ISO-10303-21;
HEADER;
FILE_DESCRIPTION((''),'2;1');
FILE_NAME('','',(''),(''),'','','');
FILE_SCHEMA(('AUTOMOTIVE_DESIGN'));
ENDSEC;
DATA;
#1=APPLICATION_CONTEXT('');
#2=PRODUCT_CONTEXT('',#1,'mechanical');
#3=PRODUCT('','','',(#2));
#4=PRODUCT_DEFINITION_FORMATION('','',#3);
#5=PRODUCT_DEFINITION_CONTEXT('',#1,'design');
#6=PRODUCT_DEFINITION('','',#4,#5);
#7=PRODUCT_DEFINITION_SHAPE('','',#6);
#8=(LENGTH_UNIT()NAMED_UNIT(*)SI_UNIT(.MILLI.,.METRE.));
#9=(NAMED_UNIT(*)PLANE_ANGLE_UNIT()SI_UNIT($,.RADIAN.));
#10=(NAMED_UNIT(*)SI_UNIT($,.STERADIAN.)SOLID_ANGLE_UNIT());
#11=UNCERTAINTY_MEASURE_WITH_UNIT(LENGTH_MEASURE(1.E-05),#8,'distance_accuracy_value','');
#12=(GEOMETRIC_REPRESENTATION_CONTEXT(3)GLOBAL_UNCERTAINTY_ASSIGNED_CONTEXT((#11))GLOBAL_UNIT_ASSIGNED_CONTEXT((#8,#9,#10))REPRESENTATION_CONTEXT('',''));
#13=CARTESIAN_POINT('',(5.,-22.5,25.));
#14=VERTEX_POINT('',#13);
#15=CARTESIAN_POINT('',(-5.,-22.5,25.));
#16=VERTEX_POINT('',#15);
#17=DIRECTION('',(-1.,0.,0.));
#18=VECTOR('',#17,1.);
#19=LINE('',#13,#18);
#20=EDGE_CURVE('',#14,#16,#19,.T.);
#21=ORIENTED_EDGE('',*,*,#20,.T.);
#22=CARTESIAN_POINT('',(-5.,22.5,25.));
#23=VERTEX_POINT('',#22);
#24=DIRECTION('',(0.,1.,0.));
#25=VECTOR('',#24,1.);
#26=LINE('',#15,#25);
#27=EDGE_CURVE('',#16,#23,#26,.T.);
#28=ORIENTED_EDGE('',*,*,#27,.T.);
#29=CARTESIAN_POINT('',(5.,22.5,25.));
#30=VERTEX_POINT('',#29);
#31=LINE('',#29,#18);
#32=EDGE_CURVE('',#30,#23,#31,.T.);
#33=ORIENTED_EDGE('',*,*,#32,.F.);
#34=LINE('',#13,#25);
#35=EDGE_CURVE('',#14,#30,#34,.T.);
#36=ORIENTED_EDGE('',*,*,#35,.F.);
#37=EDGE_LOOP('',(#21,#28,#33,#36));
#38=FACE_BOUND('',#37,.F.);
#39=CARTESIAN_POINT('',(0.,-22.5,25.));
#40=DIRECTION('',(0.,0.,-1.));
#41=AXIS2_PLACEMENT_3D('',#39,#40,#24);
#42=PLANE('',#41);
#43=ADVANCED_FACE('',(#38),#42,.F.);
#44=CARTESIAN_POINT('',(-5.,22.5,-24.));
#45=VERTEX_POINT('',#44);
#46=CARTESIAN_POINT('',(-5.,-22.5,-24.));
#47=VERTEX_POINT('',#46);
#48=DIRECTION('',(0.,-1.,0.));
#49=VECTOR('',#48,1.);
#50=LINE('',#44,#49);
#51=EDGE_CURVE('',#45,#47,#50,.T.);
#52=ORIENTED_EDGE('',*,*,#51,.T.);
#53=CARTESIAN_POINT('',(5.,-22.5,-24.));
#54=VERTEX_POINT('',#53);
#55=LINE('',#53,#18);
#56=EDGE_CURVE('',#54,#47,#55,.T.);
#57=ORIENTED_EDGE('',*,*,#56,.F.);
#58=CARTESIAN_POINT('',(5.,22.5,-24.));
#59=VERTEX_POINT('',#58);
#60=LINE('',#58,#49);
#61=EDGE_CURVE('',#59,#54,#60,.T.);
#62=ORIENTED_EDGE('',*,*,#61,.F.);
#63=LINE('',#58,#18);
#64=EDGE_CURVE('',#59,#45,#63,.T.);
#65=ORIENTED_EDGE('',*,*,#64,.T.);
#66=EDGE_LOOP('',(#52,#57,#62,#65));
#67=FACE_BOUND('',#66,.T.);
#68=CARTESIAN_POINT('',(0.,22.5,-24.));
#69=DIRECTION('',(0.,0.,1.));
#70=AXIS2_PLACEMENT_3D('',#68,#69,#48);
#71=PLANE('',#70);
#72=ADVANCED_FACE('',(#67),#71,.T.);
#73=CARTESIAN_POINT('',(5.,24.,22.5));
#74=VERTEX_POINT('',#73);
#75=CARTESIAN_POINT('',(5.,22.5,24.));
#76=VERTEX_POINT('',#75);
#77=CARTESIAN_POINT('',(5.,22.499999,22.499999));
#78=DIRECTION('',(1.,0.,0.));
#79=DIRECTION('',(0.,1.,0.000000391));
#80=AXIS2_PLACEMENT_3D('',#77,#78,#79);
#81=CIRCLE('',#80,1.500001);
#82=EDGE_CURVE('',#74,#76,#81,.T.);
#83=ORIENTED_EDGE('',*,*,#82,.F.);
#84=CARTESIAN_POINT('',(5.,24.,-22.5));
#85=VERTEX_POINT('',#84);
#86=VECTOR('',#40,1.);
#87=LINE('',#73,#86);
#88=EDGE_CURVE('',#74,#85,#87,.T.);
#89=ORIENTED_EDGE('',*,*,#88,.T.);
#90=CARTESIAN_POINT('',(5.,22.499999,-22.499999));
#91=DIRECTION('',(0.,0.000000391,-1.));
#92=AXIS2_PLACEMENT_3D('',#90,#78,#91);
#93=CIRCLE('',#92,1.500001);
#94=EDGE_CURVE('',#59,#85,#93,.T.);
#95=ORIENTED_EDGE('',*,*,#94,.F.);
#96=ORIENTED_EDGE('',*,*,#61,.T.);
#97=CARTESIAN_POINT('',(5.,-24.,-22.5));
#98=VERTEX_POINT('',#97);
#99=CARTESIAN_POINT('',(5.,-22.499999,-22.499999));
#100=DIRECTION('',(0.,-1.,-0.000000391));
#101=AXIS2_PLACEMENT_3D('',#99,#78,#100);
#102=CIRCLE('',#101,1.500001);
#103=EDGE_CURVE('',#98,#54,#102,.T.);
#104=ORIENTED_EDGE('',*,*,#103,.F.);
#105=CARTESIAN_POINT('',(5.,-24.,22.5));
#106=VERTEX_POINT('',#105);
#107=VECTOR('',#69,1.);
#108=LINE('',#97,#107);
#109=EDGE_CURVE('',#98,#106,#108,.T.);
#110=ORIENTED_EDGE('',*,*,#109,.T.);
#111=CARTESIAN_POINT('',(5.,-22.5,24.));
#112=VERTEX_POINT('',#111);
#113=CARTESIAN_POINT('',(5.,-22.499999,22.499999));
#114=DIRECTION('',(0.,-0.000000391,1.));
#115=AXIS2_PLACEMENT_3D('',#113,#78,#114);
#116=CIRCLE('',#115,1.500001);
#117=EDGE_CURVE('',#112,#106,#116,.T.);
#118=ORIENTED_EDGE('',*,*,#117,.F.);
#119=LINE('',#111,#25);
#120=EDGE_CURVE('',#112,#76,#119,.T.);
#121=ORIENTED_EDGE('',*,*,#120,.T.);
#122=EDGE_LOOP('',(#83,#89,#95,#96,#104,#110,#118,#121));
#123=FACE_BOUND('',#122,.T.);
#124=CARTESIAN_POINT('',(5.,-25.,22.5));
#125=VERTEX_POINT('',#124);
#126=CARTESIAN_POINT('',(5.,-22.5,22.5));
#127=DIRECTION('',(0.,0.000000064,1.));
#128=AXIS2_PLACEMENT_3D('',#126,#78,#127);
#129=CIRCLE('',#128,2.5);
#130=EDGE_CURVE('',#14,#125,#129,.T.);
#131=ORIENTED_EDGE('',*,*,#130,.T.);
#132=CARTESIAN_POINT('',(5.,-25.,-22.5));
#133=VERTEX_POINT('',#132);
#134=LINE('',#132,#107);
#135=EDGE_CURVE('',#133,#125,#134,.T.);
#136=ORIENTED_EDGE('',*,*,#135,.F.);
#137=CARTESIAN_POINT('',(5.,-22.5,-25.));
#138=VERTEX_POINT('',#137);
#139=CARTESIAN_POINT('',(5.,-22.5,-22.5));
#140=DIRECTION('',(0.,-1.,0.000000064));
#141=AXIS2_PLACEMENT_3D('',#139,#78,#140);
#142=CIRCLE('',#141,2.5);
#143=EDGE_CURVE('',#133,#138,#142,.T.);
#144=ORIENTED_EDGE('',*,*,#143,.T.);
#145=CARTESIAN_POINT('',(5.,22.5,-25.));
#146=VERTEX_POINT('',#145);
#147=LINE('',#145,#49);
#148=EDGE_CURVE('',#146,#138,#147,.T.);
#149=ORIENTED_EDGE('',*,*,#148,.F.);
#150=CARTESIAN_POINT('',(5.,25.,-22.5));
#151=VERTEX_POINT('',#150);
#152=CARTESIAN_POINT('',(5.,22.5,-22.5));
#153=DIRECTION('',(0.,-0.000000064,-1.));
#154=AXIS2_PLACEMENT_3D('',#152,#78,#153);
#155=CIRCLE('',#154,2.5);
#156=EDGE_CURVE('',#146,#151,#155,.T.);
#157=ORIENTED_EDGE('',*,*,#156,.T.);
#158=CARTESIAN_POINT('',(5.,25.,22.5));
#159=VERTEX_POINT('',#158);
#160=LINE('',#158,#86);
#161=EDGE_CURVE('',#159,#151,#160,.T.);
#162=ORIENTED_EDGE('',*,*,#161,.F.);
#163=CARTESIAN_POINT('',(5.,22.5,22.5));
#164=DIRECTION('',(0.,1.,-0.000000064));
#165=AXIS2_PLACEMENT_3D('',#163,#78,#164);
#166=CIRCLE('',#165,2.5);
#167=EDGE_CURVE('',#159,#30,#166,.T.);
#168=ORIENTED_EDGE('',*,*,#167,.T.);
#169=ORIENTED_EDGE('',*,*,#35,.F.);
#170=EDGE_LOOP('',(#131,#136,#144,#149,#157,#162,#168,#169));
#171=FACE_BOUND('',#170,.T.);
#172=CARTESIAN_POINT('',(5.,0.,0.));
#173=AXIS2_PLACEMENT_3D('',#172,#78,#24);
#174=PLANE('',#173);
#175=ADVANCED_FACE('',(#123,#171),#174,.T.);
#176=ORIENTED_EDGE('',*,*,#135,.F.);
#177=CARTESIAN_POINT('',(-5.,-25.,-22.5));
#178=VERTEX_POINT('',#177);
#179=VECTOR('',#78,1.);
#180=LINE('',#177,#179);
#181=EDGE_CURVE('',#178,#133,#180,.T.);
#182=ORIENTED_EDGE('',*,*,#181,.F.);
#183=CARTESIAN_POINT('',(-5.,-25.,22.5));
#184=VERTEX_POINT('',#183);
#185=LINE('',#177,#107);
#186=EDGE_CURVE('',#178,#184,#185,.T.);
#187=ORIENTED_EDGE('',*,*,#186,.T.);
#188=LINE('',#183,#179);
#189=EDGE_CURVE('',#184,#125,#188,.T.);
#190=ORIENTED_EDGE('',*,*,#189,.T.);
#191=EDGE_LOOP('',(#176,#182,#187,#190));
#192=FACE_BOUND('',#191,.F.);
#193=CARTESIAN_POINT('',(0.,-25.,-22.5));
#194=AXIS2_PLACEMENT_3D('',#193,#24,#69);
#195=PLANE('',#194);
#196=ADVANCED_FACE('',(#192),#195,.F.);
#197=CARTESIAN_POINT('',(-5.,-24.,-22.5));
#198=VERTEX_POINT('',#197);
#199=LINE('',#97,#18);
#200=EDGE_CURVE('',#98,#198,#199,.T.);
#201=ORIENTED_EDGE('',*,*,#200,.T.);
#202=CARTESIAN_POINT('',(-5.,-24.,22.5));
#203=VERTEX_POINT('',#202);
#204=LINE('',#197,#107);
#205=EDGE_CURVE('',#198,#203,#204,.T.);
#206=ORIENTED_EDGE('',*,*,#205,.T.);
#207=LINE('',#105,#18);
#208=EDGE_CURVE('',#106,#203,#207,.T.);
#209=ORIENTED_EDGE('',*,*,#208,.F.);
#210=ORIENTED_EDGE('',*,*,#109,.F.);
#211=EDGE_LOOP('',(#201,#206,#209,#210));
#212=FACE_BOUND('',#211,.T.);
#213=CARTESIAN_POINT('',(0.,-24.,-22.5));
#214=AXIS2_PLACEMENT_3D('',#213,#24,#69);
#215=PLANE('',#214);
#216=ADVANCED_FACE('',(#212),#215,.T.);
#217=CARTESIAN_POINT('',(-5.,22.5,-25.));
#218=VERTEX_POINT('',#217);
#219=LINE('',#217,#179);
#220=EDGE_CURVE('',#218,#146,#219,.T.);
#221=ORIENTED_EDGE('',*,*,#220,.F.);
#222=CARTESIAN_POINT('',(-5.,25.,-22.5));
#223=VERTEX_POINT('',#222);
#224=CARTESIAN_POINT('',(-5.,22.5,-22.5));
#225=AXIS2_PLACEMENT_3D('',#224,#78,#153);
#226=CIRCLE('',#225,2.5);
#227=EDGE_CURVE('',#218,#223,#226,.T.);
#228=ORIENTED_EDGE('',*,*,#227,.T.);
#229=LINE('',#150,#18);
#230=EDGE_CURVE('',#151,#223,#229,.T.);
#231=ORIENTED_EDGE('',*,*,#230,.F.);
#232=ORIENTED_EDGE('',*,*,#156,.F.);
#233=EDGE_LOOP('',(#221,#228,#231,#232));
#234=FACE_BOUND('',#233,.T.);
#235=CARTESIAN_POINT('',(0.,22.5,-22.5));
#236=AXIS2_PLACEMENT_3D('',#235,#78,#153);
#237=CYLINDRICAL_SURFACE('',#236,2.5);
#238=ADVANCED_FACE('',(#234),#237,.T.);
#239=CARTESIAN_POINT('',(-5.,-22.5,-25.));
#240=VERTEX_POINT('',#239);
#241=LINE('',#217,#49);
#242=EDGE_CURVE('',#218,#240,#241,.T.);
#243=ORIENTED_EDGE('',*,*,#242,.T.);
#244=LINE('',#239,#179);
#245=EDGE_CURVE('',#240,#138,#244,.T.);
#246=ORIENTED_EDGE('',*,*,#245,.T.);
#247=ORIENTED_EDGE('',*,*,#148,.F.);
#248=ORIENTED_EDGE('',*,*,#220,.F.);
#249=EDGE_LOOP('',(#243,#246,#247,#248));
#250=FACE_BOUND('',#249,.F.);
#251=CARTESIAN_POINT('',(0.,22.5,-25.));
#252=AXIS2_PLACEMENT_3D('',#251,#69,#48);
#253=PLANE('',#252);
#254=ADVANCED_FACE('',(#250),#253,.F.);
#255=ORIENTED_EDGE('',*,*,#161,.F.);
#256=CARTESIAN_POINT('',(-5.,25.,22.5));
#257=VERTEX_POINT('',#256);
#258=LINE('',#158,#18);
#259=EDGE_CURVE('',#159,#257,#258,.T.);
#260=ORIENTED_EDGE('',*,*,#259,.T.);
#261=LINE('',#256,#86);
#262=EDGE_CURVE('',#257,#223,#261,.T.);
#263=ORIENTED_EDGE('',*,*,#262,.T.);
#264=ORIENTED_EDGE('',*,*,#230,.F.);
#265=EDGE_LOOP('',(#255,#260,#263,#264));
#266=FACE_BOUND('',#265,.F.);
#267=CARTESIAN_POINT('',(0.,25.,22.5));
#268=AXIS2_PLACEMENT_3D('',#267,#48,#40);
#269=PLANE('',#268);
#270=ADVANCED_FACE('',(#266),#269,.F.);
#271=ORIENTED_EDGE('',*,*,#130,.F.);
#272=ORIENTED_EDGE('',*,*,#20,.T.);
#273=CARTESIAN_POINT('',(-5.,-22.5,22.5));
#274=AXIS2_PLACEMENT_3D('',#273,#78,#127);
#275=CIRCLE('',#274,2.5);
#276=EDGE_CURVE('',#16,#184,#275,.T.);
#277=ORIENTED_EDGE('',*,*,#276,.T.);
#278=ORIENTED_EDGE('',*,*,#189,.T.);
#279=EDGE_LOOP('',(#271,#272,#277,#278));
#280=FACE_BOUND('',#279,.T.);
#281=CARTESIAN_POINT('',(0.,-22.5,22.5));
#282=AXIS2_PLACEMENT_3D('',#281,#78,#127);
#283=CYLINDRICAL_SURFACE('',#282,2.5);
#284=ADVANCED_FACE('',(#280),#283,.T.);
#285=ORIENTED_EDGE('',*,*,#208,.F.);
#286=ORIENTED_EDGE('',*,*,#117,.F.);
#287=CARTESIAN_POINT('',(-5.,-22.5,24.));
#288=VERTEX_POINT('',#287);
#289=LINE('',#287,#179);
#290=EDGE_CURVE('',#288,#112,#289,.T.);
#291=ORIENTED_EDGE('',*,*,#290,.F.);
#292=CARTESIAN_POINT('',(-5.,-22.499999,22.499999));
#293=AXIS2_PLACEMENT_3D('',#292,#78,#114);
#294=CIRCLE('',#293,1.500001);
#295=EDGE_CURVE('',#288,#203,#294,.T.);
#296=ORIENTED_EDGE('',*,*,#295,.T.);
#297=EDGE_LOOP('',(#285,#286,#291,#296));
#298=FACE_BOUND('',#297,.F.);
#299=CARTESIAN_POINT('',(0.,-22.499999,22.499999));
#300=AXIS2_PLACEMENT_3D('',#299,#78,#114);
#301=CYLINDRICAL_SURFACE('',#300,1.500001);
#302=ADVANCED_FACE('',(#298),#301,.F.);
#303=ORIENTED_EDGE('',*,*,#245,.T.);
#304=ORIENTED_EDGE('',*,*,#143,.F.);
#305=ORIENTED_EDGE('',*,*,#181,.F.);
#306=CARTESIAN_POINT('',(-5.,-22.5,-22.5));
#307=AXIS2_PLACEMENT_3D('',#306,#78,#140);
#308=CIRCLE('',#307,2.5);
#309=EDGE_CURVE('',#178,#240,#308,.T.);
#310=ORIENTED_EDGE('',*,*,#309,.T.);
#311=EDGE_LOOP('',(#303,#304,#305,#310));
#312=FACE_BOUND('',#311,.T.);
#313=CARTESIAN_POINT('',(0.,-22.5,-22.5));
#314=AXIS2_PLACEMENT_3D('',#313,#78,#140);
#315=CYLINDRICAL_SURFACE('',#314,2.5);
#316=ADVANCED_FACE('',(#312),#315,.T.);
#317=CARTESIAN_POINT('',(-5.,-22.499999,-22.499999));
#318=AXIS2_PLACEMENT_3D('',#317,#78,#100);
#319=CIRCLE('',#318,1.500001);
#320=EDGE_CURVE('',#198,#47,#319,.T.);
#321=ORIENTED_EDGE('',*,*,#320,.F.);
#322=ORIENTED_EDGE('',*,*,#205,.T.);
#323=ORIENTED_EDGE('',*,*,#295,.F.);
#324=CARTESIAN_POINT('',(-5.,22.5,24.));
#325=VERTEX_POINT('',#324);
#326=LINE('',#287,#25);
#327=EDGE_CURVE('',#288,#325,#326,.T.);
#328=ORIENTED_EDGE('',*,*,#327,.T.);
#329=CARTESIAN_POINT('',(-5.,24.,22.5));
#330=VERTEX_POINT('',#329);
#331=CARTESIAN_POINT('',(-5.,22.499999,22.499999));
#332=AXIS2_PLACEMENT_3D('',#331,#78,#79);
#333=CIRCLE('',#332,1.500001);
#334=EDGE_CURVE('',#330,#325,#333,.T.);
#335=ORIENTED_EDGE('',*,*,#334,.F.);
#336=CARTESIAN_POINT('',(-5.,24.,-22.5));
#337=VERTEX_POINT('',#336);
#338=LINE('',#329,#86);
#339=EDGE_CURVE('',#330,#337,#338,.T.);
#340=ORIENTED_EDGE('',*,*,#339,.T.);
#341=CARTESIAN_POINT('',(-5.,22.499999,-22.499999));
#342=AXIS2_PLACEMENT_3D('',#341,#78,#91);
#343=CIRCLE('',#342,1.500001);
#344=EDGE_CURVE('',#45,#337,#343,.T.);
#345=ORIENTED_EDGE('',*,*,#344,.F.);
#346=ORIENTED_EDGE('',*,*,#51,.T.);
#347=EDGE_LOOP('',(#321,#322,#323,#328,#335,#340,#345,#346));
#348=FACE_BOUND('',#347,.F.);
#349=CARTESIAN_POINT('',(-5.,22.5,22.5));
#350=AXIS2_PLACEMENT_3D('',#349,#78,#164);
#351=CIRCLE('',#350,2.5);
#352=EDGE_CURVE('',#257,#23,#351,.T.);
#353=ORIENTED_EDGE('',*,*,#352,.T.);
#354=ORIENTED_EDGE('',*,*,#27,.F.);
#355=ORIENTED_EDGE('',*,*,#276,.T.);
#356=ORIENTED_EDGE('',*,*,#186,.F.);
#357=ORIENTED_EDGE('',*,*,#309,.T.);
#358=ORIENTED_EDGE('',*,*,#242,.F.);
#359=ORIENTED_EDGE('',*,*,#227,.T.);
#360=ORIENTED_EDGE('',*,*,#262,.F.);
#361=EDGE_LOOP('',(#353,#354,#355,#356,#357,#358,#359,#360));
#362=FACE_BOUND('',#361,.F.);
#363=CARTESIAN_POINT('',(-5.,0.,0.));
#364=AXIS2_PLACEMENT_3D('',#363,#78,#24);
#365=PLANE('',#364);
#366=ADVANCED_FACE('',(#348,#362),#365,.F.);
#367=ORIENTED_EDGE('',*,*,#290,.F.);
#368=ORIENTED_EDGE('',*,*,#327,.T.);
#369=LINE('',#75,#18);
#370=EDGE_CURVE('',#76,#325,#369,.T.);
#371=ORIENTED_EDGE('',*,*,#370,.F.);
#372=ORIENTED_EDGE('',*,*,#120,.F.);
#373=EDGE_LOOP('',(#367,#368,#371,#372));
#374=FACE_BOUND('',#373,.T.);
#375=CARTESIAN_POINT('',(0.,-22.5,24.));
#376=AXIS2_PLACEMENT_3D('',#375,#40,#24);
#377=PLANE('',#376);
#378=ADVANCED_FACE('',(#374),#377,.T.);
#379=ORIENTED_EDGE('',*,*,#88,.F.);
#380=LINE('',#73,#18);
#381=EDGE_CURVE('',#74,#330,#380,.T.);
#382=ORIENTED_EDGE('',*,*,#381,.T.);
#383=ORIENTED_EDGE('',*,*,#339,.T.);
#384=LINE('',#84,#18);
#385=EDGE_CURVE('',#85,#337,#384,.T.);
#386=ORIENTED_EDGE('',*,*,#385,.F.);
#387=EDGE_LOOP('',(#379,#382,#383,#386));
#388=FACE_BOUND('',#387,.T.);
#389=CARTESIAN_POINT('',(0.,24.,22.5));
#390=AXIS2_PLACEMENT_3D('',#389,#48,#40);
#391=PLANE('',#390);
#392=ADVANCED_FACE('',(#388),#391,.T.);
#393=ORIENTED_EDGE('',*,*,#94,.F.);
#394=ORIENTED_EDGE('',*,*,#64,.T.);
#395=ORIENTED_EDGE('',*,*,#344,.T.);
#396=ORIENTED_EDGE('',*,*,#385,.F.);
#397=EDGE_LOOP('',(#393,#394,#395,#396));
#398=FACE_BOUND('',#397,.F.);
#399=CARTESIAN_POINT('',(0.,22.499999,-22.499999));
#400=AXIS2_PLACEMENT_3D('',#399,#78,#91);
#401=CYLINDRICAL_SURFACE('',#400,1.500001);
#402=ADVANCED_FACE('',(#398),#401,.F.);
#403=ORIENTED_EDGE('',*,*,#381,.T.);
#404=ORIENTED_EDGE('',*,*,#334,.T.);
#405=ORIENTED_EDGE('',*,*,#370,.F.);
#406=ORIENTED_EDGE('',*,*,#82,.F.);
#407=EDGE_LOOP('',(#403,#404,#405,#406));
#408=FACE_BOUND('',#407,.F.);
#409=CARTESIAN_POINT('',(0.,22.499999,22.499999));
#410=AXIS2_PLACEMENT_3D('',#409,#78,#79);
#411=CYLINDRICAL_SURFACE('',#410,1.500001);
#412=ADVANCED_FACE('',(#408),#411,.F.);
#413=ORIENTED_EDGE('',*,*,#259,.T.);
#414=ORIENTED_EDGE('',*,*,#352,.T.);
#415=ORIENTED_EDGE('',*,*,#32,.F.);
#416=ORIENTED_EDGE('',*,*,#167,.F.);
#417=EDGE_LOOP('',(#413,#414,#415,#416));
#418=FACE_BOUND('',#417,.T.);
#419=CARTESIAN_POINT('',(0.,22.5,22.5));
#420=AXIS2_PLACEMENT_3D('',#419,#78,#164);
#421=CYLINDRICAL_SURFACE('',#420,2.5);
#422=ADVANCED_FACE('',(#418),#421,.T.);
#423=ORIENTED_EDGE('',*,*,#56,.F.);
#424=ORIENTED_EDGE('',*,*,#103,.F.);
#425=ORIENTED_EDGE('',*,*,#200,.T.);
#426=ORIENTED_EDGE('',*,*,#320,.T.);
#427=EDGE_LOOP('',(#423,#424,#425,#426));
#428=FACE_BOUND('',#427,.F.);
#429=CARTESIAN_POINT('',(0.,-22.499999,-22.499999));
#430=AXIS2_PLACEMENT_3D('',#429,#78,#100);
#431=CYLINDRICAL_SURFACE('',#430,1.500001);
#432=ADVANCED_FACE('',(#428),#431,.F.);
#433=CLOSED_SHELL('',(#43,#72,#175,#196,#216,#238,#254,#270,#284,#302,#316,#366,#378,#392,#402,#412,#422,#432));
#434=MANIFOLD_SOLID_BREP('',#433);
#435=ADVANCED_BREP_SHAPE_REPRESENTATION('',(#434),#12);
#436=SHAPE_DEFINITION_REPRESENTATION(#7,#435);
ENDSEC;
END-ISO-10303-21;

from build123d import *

# Parameters (mm, degrees)
PAD_DEPTH = 5


with BuildPart() as part:
    # Sketch → Pad (new body, symmetric)
    with BuildSketch(Plane.YZ):
        with BuildLine():
            ThreePointArc((-22.5, 25), (-24.267767, 24.267767), (-25, 22.5))
            Line((-25, -22.5), (-25, 22.5))
            ThreePointArc((-25, -22.5), (-24.267767, -24.267767), (-22.5, -25))
            Line((22.5, -25), (-22.5, -25))
            ThreePointArc((22.5, -25), (24.267767, -24.267767), (25, -22.5))
            Line((25, 22.5), (25, -22.5))
            ThreePointArc((25, 22.5), (24.267767, 24.267767), (22.5, 25))
            Line((-22.5, 25), (22.5, 25))
        make_face()
        with BuildLine():
            ThreePointArc((-22.5, 24), (-23.56066, 23.56066), (-24, 22.5))
            Line((-24, -22.5), (-24, 22.5))
            ThreePointArc((-24, -22.5), (-23.56066, -23.56066), (-22.5, -24))
            Line((22.5, -24), (-22.5, -24))
            ThreePointArc((22.5, -24), (23.56066, -23.56066), (24, -22.5))
            Line((24, 22.5), (24, -22.5))
            ThreePointArc((24, 22.5), (23.56066, 23.56066), (22.5, 24))
            Line((-22.5, 24), (22.5, 24))
        make_face(mode=Mode.SUBTRACT)
    extrude(amount=PAD_DEPTH, both=True)


solid = part.part
